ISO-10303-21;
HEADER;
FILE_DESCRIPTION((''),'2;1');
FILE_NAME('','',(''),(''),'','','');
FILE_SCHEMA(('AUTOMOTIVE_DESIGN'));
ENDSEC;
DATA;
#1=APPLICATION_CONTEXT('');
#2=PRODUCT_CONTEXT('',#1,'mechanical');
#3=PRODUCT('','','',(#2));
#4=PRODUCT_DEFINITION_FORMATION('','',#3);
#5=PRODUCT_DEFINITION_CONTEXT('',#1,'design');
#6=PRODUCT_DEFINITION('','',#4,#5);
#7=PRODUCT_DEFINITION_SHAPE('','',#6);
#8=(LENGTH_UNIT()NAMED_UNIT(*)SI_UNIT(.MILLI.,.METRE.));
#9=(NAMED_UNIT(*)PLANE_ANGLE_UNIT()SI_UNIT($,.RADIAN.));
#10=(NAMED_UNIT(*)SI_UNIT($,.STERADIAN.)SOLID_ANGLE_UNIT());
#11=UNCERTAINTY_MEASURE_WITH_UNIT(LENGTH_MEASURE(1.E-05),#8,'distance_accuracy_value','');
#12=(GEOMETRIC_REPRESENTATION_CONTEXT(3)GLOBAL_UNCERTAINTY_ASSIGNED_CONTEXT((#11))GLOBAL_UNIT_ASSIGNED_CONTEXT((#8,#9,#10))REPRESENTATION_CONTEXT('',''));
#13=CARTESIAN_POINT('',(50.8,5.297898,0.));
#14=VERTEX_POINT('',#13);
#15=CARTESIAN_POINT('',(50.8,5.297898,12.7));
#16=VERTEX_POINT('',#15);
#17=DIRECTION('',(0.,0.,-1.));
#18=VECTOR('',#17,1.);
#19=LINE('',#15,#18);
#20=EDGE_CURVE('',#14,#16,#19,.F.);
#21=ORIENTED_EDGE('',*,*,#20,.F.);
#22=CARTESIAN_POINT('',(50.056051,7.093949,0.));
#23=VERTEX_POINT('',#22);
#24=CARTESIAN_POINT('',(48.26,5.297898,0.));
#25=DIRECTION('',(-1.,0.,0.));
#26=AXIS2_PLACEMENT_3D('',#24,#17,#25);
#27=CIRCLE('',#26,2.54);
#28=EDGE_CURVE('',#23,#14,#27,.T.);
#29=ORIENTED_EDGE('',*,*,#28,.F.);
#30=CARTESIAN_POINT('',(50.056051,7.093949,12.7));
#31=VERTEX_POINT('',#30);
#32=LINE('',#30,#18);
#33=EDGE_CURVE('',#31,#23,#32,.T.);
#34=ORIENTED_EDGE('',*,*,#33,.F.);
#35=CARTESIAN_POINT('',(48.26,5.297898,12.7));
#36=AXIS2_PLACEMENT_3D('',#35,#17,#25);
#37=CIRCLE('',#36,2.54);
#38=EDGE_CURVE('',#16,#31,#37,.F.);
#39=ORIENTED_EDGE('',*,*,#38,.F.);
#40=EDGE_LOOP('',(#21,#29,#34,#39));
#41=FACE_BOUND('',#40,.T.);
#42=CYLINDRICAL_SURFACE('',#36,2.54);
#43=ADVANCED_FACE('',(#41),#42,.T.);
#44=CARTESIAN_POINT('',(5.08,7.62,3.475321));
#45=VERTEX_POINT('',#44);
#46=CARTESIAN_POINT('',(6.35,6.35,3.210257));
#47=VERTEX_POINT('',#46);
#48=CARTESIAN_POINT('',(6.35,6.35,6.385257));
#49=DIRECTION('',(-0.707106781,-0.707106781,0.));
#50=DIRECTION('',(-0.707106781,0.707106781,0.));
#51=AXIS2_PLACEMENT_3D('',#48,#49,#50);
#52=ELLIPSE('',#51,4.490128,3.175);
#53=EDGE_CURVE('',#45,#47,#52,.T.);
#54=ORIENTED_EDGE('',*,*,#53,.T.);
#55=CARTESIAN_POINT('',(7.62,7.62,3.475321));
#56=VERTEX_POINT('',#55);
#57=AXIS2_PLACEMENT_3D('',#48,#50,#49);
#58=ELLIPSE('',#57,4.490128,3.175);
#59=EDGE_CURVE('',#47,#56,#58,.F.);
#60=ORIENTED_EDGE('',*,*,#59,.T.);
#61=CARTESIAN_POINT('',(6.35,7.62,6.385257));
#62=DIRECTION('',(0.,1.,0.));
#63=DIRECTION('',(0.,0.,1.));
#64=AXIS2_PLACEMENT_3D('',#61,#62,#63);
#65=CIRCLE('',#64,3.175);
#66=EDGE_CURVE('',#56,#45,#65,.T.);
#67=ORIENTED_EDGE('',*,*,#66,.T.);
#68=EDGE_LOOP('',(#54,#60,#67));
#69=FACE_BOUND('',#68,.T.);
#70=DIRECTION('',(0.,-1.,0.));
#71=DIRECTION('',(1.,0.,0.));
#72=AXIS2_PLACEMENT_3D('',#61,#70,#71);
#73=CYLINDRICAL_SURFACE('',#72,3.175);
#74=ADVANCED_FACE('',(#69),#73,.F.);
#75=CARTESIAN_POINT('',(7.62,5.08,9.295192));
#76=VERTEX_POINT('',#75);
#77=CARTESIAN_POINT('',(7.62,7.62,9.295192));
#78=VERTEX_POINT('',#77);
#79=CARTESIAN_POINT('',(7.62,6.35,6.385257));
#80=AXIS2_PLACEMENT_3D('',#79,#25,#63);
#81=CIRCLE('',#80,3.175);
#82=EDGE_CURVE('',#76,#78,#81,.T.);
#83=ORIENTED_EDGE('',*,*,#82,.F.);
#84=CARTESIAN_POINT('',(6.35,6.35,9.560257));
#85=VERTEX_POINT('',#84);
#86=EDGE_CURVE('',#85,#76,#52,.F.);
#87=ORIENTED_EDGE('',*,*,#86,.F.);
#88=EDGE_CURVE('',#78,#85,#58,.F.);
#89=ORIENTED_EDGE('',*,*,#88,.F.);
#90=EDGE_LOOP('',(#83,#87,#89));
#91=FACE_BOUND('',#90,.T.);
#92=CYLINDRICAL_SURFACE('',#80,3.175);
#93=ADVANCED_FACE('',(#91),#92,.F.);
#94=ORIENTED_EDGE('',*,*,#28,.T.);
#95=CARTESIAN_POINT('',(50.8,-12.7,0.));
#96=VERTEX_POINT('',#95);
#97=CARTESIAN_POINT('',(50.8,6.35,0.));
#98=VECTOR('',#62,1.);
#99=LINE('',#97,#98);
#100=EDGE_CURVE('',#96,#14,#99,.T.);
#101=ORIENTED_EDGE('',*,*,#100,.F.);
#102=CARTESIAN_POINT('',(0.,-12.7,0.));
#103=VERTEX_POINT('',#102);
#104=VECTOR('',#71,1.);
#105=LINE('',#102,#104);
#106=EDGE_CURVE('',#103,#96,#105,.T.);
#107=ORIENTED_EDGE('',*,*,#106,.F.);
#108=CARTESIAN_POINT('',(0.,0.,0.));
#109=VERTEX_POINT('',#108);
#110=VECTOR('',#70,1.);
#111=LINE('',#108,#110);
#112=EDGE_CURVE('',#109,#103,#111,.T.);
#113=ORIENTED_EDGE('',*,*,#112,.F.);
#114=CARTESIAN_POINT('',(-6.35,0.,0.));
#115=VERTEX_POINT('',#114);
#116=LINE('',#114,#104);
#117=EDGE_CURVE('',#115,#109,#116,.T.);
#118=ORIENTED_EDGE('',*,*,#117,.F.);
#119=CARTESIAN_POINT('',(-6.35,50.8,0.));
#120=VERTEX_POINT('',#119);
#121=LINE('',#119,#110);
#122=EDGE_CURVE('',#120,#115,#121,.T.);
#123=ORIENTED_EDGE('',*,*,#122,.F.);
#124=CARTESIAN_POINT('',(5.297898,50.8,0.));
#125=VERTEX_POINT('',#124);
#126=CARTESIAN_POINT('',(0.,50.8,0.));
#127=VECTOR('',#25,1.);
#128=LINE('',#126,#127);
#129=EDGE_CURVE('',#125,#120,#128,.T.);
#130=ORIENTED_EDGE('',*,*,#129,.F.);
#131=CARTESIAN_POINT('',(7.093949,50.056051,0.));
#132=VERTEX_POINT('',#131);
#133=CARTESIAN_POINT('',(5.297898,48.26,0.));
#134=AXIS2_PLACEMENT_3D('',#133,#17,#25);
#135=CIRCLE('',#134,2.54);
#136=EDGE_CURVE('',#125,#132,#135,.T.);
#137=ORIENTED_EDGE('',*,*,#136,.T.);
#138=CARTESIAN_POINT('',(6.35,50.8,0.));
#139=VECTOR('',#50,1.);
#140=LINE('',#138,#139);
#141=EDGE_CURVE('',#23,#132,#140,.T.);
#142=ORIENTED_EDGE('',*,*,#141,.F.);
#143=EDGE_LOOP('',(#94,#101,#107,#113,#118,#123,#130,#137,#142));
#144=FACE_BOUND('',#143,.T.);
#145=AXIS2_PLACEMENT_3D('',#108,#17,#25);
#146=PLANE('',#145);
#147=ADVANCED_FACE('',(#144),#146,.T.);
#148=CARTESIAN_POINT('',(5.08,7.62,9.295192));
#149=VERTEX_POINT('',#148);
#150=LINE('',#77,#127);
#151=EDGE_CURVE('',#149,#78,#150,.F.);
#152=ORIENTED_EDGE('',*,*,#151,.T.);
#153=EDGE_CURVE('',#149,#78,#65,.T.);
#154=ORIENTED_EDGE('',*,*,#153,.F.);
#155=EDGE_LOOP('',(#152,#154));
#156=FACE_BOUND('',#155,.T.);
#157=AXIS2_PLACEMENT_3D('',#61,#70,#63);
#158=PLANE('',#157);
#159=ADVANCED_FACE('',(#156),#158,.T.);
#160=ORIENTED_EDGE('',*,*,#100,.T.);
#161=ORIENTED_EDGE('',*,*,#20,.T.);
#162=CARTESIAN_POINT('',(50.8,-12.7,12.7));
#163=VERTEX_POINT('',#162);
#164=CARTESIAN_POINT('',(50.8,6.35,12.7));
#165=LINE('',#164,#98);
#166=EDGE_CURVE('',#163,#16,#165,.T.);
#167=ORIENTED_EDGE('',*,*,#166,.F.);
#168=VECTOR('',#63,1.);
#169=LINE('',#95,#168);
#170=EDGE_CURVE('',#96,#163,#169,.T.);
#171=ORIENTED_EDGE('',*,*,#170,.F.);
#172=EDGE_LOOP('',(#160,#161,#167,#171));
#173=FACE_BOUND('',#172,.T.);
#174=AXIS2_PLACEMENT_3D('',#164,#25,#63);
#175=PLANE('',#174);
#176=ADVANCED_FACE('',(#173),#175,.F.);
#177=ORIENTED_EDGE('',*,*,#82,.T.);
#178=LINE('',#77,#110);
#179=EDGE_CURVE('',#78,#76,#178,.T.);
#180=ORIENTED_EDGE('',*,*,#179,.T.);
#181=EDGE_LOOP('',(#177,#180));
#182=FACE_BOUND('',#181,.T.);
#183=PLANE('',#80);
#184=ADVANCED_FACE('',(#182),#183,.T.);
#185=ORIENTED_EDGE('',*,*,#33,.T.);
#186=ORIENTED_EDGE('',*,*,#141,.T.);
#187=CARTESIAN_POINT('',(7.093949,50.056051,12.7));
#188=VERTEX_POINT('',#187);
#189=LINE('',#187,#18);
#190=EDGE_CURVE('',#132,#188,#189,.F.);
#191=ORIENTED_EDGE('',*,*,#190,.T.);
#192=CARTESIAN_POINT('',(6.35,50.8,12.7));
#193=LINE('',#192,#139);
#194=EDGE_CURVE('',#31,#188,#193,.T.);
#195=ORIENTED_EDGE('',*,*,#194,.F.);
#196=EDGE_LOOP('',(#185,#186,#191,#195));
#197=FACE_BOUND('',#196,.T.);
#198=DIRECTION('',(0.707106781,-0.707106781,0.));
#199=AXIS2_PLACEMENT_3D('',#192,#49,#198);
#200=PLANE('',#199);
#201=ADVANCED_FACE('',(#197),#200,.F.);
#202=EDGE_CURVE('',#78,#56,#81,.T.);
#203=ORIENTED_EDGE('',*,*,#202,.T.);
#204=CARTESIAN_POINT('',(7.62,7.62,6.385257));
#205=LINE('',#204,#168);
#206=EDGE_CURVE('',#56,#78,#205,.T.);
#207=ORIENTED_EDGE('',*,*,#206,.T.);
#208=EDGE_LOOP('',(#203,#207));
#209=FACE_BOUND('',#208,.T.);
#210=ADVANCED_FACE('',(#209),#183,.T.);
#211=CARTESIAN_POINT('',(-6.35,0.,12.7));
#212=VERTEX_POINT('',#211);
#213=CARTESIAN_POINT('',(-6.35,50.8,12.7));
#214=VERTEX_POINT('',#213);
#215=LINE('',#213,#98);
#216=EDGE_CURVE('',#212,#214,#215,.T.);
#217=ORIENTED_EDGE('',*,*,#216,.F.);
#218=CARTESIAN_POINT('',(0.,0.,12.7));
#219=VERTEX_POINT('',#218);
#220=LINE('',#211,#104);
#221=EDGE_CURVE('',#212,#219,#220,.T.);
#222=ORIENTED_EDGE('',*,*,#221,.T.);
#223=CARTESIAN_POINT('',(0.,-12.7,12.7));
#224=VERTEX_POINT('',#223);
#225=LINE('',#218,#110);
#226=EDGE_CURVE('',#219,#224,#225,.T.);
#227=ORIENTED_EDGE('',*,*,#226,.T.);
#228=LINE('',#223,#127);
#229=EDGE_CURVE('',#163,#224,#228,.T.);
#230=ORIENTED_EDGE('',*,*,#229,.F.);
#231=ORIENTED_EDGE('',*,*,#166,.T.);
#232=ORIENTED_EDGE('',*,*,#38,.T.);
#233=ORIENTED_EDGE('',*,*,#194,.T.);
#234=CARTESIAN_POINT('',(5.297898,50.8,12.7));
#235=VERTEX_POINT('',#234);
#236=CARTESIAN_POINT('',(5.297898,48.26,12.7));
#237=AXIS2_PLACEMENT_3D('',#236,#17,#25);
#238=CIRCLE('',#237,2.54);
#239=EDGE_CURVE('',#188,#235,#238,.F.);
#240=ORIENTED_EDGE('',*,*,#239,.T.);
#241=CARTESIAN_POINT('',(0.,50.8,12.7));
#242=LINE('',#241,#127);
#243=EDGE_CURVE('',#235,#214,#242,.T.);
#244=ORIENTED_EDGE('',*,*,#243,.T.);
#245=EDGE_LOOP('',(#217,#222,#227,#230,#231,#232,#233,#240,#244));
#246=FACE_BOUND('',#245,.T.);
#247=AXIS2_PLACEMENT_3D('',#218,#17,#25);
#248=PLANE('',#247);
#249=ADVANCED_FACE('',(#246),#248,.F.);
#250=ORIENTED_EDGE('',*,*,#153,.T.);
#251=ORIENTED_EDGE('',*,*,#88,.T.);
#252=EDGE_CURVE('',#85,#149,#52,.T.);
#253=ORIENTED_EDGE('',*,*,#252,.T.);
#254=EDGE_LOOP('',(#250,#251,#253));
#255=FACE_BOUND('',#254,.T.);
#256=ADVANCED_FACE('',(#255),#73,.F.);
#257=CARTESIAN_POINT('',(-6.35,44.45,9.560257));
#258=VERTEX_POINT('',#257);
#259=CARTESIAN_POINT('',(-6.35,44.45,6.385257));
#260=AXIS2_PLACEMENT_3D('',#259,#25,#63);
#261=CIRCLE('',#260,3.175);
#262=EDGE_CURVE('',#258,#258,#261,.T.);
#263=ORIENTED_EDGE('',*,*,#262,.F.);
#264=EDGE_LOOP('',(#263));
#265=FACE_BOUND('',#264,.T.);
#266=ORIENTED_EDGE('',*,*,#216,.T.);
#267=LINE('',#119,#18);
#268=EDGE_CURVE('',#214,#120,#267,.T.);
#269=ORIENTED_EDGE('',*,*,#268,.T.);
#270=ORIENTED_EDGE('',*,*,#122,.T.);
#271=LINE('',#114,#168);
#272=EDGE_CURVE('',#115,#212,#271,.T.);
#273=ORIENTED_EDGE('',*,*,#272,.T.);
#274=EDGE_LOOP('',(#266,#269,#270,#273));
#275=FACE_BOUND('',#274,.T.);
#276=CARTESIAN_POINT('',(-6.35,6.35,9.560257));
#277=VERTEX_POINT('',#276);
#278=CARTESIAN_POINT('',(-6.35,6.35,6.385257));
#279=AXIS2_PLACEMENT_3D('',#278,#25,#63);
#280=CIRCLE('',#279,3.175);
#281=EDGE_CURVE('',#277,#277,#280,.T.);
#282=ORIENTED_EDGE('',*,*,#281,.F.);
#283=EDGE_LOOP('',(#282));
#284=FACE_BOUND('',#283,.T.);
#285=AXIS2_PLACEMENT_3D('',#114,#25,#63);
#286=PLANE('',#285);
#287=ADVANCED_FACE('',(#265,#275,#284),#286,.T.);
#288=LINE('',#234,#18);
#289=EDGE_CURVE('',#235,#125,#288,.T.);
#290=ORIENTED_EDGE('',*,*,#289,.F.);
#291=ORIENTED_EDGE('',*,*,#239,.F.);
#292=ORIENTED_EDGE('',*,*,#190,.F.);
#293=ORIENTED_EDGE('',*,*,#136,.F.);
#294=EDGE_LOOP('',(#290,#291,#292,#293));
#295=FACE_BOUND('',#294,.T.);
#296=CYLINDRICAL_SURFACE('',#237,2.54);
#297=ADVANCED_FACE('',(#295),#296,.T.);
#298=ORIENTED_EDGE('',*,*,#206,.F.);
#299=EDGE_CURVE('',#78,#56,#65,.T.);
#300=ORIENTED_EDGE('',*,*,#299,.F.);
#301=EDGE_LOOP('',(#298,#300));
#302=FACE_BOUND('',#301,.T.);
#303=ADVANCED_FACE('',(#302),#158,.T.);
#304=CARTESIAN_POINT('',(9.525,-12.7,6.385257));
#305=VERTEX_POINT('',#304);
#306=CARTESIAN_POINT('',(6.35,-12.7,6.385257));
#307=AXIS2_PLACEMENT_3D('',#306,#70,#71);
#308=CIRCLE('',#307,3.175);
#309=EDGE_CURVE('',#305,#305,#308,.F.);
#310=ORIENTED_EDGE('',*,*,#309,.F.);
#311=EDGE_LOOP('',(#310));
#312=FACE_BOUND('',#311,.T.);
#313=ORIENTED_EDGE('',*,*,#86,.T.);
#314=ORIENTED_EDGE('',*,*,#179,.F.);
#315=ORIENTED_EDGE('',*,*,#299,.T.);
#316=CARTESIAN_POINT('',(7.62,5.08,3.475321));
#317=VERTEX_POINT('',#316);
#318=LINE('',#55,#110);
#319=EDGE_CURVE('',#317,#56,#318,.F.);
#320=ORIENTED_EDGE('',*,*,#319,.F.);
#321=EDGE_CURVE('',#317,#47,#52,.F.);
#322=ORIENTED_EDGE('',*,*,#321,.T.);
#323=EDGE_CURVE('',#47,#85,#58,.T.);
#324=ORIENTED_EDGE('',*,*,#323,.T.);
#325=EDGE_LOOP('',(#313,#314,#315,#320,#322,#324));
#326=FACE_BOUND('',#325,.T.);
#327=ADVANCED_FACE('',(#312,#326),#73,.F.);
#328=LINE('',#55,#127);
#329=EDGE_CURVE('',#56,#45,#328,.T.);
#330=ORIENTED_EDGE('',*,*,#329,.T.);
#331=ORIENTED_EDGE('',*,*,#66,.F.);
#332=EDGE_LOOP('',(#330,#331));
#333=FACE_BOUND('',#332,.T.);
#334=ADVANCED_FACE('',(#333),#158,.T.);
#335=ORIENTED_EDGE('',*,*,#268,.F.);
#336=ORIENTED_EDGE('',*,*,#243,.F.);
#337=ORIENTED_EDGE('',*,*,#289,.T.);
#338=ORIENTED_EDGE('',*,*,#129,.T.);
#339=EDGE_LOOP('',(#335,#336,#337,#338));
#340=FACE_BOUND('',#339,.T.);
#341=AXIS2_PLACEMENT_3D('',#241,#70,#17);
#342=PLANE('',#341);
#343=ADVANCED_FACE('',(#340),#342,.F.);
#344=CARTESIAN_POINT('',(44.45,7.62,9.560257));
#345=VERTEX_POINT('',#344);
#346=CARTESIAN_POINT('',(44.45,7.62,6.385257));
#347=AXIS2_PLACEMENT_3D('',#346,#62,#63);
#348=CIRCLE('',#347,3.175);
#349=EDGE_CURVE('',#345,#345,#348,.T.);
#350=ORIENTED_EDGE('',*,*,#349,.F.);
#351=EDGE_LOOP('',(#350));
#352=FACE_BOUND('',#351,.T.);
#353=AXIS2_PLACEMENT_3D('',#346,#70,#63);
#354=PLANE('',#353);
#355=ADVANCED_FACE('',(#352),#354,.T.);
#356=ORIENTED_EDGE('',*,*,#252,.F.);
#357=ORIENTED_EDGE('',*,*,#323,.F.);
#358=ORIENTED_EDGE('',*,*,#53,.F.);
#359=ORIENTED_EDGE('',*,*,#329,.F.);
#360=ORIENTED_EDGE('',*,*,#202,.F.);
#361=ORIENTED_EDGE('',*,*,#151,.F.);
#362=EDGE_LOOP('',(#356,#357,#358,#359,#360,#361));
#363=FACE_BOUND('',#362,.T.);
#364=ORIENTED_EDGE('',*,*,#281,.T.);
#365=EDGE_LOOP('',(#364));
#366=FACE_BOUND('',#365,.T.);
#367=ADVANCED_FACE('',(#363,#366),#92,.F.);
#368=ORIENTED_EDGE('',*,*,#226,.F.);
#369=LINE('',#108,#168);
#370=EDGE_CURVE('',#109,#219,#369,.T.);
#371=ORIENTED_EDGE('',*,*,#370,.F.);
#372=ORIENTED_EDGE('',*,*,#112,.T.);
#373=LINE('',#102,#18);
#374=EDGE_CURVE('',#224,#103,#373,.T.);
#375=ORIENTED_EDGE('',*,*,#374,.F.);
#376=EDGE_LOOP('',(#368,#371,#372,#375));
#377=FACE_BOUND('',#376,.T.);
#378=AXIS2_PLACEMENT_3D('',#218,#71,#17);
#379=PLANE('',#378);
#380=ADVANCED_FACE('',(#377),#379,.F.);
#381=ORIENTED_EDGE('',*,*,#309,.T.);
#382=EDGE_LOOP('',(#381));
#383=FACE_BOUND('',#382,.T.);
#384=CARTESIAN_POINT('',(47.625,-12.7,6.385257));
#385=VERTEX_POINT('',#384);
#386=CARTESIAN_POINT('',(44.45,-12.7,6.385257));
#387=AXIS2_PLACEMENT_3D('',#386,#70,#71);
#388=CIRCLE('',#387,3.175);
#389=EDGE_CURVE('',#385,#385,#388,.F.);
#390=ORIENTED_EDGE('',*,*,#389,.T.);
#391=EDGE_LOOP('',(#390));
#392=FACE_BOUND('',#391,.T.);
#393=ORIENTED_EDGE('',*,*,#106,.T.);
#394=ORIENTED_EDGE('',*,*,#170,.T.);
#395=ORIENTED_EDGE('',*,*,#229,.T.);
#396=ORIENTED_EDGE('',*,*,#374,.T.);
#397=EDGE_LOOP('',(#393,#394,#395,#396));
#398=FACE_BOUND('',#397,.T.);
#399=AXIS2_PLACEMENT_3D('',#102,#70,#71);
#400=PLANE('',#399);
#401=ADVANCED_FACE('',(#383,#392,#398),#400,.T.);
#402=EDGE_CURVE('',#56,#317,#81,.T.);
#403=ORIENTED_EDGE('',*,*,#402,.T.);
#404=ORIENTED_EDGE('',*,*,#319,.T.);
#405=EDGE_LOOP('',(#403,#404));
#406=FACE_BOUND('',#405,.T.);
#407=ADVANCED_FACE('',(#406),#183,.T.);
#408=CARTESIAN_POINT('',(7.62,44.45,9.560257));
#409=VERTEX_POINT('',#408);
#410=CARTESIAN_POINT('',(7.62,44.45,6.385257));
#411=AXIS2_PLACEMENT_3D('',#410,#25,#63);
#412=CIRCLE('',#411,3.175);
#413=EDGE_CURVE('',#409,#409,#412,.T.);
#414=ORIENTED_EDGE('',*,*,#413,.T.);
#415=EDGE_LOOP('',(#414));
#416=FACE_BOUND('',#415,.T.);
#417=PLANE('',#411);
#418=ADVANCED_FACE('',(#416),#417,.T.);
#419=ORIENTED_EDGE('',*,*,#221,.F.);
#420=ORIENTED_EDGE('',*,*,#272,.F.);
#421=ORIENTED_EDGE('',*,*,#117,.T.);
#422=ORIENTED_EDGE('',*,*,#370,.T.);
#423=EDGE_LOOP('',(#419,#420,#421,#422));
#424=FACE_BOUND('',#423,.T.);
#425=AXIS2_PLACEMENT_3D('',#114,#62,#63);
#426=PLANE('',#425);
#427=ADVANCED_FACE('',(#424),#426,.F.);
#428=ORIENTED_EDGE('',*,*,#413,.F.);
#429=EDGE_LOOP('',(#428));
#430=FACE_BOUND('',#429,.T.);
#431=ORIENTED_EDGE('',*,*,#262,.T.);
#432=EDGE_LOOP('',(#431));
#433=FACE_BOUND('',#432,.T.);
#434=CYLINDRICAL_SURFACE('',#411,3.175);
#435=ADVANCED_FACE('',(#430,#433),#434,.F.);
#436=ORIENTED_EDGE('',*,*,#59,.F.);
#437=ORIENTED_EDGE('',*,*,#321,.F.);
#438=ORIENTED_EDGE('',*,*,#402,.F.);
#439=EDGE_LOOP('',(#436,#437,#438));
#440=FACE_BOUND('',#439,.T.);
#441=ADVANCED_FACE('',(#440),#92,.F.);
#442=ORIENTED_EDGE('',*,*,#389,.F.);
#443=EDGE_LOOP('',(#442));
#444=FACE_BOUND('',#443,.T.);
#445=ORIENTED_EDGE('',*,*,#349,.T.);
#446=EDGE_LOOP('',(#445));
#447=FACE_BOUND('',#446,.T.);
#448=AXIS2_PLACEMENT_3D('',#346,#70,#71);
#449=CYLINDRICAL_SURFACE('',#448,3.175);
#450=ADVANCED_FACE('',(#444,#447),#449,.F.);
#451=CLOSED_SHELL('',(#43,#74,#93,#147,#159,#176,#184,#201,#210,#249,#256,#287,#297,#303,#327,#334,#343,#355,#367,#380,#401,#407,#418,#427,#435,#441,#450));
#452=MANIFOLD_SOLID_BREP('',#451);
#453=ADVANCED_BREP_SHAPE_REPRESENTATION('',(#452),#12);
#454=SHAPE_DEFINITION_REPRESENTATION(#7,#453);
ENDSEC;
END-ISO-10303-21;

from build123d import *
from build123d.topology import SkipClean

# Parameters (mm, degrees)
BOSS_EXTRUDE1_DEPTH = 12.7
FILLET1_R           = 2.54
SKETCH2_R           = 3.175
CUT_EXTRUDE1_DEPTH  = 7.62
BOSS_EXTRUDE2_START = 12.7
SKETCH3_W           = 50.8
SKETCH3_H           = 12.7
SKETCH3_R           = 3.175
BOSS_EXTRUDE2_DEPTH = 12.7
BOSS_EXTRUDE3_START = 6.35
SKETCH4_W           = 12.7
SKETCH4_H           = 50.8
SKETCH4_R           = 3.175
BOSS_EXTRUDE3_DEPTH = 6.35


with BuildPart() as part:
    # Sketch1 → Boss-Extrude1 (new body)
    with BuildSketch(Plane.XY):
        Polygon((0, 0), (0, 50.8), (6.35, 50.8), (50.8, 6.35), (50.8, 0), align=None)
    extrude(amount=BOSS_EXTRUDE1_DEPTH)

    # Fillet1
    fillet1_edges = [part.edges().sort_by_distance(p)[0] for p in [
        (6.35, 50.8, 6.35),
        (50.8, 6.35, 6.35),
    ]]
    fillet(fillet1_edges, radius=FILLET1_R)

    # Sketch2 → Cut-Extrude1 (cut)
    with BuildSketch(Plane.ZY):
        with Locations((6.385256722, 44.45)):
            Circle(SKETCH2_R)
        with Locations((6.385256722, 6.35)):
            Circle(SKETCH2_R)
    cut_extrude1 = extrude(amount=-CUT_EXTRUDE1_DEPTH, mode=Mode.SUBTRACT)

    # Mirror1: Cut-Extrude1 across plane
    add(cut_extrude1.mirror(Plane(origin=(0, 0, 0), x_dir=(0, 0, 1), z_dir=(0.7071067811865475, -0.7071067811865477, 0))), mode=Mode.SUBTRACT)

    # Sketch3 → Boss-Extrude2 (add)
    with SkipClean():  # the faces are left unmerged after this step: merging them gives an invalid solid
        with BuildSketch(Plane.XZ.offset(BOSS_EXTRUDE2_START)):
            with Locations((25.4, 6.35)):
                Rectangle(SKETCH3_W, SKETCH3_H)
            with Locations((6.35, 6.385256722)):
                Circle(SKETCH3_R, mode=Mode.SUBTRACT)
            with Locations((44.45, 6.385256722)):
                Circle(SKETCH3_R, mode=Mode.SUBTRACT)
        extrude(amount=-BOSS_EXTRUDE2_DEPTH)

    # Sketch4 → Boss-Extrude3 (add)
    with BuildSketch(Plane.ZY.offset(BOSS_EXTRUDE3_START)):
        with Locations((6.35, 25.4)):
            Rectangle(SKETCH4_W, SKETCH4_H)
        with Locations((6.385256722, 44.45)):
            Circle(SKETCH4_R, mode=Mode.SUBTRACT)
        with Locations((6.385256722, 6.35)):
            Circle(SKETCH4_R, mode=Mode.SUBTRACT)
    extrude(amount=-BOSS_EXTRUDE3_DEPTH)


solid = part.part
